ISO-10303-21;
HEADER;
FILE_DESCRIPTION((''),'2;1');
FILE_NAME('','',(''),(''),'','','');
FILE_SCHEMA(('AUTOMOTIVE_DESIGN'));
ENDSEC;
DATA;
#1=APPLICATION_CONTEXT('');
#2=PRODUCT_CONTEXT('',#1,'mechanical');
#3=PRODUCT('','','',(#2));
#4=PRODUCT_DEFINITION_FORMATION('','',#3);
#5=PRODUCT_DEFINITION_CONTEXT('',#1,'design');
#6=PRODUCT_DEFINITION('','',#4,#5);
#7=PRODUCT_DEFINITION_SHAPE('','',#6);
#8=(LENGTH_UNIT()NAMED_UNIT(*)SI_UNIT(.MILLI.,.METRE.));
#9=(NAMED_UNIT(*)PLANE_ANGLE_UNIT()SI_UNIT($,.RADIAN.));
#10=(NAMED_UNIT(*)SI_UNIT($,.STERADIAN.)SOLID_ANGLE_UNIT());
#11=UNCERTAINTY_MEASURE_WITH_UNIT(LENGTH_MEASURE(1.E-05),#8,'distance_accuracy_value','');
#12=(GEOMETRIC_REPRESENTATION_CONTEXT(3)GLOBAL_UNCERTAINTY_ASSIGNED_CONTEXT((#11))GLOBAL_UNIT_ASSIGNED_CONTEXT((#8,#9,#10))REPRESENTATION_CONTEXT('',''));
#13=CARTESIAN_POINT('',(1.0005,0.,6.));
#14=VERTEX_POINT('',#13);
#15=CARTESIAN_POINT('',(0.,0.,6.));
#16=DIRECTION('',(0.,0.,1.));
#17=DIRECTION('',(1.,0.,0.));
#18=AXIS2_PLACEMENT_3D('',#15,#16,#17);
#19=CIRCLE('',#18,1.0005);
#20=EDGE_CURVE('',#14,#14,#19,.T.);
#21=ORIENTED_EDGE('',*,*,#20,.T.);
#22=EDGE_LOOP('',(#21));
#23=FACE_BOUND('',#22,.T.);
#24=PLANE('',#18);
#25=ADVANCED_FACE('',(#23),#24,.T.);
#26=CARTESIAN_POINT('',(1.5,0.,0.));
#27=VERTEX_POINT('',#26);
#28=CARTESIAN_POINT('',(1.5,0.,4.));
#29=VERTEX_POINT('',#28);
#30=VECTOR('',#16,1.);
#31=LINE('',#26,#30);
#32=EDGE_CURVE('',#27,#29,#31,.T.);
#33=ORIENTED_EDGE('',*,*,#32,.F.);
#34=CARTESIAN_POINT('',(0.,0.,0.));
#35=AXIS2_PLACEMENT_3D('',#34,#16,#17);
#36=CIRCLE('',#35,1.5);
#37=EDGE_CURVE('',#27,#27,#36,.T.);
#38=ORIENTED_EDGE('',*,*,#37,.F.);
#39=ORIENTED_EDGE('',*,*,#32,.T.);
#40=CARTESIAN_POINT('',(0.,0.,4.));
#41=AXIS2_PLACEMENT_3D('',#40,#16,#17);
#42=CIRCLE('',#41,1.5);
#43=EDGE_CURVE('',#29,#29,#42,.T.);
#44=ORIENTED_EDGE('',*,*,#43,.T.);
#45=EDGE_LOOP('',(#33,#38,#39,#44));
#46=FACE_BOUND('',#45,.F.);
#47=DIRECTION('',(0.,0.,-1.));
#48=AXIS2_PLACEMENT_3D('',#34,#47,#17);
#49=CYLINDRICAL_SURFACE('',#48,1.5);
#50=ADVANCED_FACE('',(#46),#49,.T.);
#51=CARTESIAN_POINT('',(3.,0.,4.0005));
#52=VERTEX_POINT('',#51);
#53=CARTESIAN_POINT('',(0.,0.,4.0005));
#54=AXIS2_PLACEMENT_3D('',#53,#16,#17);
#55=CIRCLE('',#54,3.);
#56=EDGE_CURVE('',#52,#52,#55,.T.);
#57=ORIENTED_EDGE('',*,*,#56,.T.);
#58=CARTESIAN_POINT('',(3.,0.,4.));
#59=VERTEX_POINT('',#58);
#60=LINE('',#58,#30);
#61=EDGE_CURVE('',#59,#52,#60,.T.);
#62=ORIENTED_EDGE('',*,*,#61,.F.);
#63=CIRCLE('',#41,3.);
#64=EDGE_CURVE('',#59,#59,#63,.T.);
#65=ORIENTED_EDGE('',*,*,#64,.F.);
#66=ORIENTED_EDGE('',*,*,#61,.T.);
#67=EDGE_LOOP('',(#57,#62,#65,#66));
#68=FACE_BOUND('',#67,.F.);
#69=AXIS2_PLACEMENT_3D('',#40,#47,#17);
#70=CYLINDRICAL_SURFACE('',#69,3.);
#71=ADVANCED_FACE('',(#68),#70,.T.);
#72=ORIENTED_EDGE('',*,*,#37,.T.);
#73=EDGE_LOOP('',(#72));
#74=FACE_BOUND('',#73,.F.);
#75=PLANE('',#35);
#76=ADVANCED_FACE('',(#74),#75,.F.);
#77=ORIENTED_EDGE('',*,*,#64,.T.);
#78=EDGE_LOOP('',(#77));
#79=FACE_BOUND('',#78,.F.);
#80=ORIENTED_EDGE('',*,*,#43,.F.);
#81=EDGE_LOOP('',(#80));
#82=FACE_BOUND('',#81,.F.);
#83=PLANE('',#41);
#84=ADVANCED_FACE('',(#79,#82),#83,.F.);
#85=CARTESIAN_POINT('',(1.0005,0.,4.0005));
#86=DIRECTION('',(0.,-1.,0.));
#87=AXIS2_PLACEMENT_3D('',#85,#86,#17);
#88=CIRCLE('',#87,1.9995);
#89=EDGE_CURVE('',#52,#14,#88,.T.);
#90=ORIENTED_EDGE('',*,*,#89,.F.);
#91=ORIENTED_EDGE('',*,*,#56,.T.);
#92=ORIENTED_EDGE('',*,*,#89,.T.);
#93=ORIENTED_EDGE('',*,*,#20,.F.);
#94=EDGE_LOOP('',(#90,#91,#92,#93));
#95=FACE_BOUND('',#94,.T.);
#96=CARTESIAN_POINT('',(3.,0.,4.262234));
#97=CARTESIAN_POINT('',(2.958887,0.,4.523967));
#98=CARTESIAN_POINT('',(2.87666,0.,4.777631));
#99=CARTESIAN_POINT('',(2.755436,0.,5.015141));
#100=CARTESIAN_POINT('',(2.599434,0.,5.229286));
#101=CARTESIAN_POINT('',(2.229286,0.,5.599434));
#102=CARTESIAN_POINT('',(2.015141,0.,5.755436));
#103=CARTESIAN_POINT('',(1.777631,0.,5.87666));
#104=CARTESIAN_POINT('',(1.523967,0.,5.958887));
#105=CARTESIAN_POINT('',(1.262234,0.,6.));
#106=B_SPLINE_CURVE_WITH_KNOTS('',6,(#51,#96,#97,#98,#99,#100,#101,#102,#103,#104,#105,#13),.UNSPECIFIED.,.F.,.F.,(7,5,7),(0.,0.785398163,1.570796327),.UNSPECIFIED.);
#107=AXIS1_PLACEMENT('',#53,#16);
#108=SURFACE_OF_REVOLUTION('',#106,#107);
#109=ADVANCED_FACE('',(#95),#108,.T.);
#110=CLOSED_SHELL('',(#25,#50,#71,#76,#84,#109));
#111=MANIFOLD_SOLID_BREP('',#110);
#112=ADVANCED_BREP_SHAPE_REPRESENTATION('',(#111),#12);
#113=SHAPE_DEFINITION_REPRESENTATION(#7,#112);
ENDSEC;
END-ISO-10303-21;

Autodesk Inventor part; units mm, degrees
ref_plane "YZ Plane" through (0, 0, 0) normal (1, 0, 0) x (0, 1, 0)
ref_plane "XZ Plane" through (0, 0, 0) normal (0, 1, 0) x (-1, 0, 0)
ref_plane "XY Plane" through (0, 0, 0) normal (0, 0, 1) x (1, 0, 0)
sketch "スケッチ1" plane through (0, 0, 0) normal (0, 0, 1) x (1, 0, 0)
  circle A0 centre (0, 0) radius 1.5
  dimension "d0" = 3
extrude "押し出し1" add sketch "スケッチ1" along normal blind 4
sketch "スケッチ2" plane through (0, 0, 4) normal (0, 0, 1) x (1, 0, 0)
  circle A0 centre (0, 0) radius 1.5 projected
  circle A1 centre (0, 0) radius 3
  dimension "d3" = 6
extrude "押し出し2" add sketch "スケッチ2" along normal blind 2 contours A0 | A1
fillet "フィレット1" radius 2 1 edges at (-3, 0, 6)
thread "ねじ1" size "M3x0.5" class "6g" standard "ANSI Metric M Profile" full length
properties part number "SB　4mmなべネジ" material "Steel, Mild"
